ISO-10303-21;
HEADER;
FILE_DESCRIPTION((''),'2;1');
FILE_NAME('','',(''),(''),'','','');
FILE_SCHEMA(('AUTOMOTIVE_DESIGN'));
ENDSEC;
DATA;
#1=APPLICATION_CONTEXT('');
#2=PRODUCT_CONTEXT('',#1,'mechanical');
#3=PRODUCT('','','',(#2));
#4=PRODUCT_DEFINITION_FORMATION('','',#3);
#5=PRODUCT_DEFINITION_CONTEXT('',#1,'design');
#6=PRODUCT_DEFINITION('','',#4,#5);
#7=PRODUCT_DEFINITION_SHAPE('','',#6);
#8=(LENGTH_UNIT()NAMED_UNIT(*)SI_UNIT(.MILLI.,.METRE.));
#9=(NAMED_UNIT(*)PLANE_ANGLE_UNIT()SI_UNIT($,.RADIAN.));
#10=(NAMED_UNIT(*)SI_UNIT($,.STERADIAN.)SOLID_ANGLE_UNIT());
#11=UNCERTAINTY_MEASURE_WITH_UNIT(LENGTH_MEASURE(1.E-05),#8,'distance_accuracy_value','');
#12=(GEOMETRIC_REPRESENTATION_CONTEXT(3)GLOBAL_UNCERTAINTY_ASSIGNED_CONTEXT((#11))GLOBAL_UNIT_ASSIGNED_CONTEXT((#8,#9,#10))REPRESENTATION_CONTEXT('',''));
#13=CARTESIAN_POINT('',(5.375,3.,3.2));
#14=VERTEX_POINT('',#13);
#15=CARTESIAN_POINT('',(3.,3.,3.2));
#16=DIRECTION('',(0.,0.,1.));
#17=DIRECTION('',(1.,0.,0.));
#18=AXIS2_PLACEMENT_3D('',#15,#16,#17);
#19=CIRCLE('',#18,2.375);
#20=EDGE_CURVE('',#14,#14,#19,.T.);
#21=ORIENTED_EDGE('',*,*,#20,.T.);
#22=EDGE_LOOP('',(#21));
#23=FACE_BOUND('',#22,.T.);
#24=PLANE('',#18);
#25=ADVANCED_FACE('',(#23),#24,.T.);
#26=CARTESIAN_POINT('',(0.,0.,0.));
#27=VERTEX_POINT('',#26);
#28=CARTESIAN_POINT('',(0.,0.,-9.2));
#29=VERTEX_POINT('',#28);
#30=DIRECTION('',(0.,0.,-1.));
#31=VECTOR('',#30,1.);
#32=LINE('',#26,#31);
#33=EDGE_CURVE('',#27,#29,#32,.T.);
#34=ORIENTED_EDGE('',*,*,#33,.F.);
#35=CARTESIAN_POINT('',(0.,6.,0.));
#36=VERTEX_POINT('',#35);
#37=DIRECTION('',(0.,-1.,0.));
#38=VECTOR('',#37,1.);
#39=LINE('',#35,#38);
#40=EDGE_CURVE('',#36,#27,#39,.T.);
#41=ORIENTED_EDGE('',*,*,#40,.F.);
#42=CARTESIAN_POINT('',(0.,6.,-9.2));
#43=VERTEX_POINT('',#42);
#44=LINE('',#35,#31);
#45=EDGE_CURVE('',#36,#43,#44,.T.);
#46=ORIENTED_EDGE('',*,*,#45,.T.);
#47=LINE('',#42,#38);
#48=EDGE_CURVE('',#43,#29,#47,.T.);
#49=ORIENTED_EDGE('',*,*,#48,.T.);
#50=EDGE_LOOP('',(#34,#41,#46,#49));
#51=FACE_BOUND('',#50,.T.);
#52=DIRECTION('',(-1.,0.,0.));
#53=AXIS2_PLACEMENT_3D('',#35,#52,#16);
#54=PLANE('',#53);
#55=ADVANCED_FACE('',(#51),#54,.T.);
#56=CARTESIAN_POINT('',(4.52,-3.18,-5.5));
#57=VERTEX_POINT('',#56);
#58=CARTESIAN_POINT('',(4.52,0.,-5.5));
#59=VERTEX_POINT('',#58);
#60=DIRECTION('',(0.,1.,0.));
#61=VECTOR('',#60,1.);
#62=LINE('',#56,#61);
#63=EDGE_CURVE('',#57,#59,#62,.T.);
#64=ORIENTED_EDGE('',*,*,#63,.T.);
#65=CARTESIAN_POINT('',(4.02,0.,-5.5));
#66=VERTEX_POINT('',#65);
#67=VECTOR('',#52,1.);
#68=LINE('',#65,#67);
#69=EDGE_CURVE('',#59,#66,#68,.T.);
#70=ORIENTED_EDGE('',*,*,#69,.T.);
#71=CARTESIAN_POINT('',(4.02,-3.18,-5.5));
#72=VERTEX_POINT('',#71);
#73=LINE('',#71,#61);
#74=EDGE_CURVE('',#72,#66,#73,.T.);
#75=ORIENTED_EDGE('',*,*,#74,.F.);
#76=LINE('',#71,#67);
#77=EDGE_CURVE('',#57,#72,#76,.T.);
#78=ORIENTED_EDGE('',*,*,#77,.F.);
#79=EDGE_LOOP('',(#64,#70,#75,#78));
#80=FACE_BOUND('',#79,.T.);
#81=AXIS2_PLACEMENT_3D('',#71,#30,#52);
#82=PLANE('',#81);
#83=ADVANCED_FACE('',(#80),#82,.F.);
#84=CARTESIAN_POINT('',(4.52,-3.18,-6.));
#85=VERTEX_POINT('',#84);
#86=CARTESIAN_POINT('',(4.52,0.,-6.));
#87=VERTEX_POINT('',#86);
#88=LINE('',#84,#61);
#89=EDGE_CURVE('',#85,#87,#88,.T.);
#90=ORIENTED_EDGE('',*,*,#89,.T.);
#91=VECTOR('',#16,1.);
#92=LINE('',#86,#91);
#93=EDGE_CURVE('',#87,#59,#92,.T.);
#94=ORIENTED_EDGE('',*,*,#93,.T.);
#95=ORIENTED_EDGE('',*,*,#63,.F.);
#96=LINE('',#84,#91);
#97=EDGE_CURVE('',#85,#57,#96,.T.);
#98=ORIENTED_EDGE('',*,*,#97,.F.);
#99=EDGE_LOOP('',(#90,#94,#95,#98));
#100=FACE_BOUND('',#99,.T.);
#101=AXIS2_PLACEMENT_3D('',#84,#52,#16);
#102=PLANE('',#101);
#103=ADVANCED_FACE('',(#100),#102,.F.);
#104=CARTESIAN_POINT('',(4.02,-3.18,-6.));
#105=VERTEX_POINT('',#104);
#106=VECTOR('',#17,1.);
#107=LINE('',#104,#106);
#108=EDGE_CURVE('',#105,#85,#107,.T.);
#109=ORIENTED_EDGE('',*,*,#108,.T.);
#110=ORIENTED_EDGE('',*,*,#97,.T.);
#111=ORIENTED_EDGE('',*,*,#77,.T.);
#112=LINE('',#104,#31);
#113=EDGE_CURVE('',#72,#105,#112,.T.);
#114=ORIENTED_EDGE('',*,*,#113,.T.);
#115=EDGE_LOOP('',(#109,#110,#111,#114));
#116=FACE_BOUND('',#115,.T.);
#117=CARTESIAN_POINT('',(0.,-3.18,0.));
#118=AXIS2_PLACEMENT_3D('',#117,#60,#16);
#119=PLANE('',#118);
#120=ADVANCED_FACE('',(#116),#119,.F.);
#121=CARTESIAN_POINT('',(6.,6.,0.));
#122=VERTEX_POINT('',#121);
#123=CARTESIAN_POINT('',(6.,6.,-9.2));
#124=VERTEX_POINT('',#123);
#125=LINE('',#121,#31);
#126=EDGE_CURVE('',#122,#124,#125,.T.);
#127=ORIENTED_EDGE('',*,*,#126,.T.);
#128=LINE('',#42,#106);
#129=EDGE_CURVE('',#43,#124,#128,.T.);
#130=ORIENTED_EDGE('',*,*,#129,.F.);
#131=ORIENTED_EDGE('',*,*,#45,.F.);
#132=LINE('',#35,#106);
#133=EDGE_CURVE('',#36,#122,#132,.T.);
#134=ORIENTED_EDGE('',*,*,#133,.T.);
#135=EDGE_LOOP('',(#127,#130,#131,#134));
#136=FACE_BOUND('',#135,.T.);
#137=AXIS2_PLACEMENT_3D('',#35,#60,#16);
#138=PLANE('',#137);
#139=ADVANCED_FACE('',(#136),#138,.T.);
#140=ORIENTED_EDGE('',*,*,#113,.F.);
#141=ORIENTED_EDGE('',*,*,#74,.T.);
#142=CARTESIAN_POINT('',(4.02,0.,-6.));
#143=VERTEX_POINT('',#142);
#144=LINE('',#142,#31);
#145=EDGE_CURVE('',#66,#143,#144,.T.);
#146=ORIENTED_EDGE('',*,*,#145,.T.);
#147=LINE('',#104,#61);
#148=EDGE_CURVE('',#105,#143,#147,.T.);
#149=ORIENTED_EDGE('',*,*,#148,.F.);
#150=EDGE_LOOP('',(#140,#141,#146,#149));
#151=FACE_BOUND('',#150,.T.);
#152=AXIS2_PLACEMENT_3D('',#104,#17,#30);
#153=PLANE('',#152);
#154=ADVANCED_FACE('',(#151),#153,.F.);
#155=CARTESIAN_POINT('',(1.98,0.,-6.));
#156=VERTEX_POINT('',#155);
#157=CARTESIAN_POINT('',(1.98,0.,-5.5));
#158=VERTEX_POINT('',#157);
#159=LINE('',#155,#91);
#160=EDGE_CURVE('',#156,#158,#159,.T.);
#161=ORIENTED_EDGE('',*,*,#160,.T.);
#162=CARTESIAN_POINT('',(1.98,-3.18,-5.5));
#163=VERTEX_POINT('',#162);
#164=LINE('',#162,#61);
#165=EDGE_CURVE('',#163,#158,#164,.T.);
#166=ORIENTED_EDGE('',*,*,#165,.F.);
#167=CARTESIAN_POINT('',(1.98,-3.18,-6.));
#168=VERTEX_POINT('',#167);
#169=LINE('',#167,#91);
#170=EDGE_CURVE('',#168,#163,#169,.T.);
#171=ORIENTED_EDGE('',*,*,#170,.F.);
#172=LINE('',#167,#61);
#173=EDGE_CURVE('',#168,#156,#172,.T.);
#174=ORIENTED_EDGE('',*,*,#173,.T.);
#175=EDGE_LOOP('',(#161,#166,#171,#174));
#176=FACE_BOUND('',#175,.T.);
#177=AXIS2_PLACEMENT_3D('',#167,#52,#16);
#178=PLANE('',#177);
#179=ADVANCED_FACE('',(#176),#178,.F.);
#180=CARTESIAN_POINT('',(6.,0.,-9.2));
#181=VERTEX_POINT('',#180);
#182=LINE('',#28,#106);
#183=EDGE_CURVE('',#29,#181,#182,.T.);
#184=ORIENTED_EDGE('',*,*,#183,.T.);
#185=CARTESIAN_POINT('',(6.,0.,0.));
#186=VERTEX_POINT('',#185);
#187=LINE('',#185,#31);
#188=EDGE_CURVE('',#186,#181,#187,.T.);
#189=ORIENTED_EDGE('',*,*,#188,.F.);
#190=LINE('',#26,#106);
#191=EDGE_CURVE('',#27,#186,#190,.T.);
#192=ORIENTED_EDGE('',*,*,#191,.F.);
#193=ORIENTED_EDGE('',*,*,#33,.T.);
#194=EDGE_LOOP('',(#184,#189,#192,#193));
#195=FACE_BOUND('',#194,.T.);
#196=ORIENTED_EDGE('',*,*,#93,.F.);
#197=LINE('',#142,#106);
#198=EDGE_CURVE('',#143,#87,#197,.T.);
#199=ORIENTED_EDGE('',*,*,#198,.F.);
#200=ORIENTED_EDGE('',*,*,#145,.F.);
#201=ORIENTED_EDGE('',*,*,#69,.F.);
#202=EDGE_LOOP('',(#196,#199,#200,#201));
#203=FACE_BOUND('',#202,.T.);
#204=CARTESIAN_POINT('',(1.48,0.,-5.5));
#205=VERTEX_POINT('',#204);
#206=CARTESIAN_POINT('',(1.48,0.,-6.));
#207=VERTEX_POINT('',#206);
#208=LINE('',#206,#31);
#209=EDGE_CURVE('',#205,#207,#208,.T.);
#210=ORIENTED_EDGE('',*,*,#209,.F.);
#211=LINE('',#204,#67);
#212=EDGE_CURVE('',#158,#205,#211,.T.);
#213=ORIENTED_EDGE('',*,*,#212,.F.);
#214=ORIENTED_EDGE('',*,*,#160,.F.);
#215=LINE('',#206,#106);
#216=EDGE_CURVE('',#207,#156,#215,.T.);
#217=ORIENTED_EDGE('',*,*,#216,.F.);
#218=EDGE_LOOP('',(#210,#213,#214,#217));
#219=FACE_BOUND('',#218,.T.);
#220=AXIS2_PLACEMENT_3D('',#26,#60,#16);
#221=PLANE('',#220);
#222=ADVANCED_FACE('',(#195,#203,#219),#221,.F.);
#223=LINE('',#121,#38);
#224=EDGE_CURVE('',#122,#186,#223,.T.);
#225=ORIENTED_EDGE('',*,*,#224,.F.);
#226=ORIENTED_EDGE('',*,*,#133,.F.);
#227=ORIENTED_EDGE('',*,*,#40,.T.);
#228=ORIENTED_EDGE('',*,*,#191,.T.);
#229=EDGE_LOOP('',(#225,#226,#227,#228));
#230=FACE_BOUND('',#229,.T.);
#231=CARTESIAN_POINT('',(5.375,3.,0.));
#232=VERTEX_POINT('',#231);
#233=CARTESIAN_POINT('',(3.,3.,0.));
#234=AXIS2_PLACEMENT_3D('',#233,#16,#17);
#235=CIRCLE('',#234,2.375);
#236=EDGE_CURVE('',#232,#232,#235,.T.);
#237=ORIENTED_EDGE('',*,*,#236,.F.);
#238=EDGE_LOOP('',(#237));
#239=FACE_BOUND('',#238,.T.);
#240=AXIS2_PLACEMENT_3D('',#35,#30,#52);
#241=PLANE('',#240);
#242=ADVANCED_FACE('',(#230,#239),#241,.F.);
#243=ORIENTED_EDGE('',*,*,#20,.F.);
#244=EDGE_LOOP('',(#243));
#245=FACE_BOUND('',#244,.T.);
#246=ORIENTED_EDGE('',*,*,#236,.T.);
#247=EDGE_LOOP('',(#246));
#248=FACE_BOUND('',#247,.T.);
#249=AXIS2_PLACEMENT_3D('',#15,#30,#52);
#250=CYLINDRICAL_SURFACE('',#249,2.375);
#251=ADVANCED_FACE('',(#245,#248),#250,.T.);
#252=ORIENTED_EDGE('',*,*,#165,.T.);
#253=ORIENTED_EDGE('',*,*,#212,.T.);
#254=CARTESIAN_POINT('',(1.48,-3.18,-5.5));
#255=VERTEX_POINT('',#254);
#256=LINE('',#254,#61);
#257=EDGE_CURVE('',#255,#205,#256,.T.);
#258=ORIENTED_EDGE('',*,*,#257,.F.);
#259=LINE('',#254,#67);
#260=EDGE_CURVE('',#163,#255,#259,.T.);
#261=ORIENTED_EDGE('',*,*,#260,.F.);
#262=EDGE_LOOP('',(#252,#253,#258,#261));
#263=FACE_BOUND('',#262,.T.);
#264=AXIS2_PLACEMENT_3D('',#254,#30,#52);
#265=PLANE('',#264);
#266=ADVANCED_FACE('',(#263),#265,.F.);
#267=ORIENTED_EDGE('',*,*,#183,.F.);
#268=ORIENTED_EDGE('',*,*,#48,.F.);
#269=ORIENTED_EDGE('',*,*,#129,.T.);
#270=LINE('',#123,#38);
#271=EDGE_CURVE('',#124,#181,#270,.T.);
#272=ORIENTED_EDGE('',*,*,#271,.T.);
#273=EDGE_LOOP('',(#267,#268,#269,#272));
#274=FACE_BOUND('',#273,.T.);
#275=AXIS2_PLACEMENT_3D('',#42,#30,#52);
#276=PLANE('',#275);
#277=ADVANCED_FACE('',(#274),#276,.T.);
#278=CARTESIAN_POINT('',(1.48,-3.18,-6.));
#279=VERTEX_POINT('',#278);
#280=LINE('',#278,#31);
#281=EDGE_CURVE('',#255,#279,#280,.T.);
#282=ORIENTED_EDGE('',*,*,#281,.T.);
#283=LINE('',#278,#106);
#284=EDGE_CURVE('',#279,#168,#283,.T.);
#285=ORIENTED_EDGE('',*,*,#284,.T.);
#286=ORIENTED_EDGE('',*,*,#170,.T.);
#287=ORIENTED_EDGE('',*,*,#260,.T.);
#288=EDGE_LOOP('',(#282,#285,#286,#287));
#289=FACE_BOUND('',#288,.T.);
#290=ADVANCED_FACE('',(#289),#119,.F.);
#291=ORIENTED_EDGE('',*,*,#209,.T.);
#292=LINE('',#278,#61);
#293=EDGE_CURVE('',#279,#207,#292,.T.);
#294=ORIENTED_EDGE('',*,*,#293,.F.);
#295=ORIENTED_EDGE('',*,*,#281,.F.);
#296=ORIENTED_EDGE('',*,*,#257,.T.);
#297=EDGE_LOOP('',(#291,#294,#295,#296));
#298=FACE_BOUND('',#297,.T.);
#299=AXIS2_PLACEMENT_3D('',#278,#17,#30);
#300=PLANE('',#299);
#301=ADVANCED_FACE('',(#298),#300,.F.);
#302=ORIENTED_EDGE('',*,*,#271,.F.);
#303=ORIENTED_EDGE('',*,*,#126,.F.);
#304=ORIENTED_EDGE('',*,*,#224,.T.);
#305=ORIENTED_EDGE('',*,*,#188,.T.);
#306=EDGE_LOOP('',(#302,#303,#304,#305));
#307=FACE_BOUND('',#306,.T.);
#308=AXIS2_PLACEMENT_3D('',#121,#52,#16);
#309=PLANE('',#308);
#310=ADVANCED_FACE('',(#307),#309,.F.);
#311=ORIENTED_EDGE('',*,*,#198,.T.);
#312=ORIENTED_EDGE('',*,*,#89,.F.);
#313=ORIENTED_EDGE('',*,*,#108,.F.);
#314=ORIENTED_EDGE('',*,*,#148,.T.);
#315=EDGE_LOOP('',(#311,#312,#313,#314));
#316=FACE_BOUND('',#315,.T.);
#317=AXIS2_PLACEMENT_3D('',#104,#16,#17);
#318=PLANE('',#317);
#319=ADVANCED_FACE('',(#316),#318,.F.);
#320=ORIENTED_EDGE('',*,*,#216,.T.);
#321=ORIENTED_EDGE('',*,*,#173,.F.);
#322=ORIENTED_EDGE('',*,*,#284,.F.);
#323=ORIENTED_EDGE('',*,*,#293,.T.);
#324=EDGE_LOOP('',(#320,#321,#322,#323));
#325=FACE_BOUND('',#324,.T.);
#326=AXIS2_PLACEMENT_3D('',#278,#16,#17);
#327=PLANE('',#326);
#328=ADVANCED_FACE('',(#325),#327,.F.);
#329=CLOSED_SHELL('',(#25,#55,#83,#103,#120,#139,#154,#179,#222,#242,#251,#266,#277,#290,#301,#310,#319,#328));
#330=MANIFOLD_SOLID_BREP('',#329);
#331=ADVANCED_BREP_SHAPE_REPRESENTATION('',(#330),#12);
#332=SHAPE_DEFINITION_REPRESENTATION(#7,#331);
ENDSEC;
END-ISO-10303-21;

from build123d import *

# Parameters (mm, degrees)
SKETCH2_W           = 6
SKETCH2_H           = 9.2
BOSS_EXTRUDE1_DEPTH = 6
SKETCH3_R           = 2.375
BOSS_EXTRUDE2_DEPTH = 3.2
SKETCH4_W           = 0.5
SKETCH4_H           = 0.5
BOSS_EXTRUDE3_DEPTH = 3.18


with BuildPart() as part:
    # Sketch2 → Boss-Extrude1 (new body)
    with BuildSketch(Plane(origin=(0, 0, 0), x_dir=(1, 0, 0), z_dir=(0, 1, 0))):
        with Locations((3, 4.6)):
            Rectangle(SKETCH2_W, SKETCH2_H)
    extrude(amount=BOSS_EXTRUDE1_DEPTH)

    # Sketch3 → Boss-Extrude2 (add)
    with BuildSketch(Plane.XY):
        with Locations((3, 3)):
            Circle(SKETCH3_R)
    extrude(amount=BOSS_EXTRUDE2_DEPTH)

    # Sketch4 → Boss-Extrude3 (add)
    with BuildSketch(Plane.XZ):
        with Locations((1.73, -5.75)):
            Rectangle(SKETCH4_W, SKETCH4_H)
        with Locations((4.27, -5.75)):
            Rectangle(SKETCH4_W, SKETCH4_H)
    extrude(amount=BOSS_EXTRUDE3_DEPTH)


solid = part.part
